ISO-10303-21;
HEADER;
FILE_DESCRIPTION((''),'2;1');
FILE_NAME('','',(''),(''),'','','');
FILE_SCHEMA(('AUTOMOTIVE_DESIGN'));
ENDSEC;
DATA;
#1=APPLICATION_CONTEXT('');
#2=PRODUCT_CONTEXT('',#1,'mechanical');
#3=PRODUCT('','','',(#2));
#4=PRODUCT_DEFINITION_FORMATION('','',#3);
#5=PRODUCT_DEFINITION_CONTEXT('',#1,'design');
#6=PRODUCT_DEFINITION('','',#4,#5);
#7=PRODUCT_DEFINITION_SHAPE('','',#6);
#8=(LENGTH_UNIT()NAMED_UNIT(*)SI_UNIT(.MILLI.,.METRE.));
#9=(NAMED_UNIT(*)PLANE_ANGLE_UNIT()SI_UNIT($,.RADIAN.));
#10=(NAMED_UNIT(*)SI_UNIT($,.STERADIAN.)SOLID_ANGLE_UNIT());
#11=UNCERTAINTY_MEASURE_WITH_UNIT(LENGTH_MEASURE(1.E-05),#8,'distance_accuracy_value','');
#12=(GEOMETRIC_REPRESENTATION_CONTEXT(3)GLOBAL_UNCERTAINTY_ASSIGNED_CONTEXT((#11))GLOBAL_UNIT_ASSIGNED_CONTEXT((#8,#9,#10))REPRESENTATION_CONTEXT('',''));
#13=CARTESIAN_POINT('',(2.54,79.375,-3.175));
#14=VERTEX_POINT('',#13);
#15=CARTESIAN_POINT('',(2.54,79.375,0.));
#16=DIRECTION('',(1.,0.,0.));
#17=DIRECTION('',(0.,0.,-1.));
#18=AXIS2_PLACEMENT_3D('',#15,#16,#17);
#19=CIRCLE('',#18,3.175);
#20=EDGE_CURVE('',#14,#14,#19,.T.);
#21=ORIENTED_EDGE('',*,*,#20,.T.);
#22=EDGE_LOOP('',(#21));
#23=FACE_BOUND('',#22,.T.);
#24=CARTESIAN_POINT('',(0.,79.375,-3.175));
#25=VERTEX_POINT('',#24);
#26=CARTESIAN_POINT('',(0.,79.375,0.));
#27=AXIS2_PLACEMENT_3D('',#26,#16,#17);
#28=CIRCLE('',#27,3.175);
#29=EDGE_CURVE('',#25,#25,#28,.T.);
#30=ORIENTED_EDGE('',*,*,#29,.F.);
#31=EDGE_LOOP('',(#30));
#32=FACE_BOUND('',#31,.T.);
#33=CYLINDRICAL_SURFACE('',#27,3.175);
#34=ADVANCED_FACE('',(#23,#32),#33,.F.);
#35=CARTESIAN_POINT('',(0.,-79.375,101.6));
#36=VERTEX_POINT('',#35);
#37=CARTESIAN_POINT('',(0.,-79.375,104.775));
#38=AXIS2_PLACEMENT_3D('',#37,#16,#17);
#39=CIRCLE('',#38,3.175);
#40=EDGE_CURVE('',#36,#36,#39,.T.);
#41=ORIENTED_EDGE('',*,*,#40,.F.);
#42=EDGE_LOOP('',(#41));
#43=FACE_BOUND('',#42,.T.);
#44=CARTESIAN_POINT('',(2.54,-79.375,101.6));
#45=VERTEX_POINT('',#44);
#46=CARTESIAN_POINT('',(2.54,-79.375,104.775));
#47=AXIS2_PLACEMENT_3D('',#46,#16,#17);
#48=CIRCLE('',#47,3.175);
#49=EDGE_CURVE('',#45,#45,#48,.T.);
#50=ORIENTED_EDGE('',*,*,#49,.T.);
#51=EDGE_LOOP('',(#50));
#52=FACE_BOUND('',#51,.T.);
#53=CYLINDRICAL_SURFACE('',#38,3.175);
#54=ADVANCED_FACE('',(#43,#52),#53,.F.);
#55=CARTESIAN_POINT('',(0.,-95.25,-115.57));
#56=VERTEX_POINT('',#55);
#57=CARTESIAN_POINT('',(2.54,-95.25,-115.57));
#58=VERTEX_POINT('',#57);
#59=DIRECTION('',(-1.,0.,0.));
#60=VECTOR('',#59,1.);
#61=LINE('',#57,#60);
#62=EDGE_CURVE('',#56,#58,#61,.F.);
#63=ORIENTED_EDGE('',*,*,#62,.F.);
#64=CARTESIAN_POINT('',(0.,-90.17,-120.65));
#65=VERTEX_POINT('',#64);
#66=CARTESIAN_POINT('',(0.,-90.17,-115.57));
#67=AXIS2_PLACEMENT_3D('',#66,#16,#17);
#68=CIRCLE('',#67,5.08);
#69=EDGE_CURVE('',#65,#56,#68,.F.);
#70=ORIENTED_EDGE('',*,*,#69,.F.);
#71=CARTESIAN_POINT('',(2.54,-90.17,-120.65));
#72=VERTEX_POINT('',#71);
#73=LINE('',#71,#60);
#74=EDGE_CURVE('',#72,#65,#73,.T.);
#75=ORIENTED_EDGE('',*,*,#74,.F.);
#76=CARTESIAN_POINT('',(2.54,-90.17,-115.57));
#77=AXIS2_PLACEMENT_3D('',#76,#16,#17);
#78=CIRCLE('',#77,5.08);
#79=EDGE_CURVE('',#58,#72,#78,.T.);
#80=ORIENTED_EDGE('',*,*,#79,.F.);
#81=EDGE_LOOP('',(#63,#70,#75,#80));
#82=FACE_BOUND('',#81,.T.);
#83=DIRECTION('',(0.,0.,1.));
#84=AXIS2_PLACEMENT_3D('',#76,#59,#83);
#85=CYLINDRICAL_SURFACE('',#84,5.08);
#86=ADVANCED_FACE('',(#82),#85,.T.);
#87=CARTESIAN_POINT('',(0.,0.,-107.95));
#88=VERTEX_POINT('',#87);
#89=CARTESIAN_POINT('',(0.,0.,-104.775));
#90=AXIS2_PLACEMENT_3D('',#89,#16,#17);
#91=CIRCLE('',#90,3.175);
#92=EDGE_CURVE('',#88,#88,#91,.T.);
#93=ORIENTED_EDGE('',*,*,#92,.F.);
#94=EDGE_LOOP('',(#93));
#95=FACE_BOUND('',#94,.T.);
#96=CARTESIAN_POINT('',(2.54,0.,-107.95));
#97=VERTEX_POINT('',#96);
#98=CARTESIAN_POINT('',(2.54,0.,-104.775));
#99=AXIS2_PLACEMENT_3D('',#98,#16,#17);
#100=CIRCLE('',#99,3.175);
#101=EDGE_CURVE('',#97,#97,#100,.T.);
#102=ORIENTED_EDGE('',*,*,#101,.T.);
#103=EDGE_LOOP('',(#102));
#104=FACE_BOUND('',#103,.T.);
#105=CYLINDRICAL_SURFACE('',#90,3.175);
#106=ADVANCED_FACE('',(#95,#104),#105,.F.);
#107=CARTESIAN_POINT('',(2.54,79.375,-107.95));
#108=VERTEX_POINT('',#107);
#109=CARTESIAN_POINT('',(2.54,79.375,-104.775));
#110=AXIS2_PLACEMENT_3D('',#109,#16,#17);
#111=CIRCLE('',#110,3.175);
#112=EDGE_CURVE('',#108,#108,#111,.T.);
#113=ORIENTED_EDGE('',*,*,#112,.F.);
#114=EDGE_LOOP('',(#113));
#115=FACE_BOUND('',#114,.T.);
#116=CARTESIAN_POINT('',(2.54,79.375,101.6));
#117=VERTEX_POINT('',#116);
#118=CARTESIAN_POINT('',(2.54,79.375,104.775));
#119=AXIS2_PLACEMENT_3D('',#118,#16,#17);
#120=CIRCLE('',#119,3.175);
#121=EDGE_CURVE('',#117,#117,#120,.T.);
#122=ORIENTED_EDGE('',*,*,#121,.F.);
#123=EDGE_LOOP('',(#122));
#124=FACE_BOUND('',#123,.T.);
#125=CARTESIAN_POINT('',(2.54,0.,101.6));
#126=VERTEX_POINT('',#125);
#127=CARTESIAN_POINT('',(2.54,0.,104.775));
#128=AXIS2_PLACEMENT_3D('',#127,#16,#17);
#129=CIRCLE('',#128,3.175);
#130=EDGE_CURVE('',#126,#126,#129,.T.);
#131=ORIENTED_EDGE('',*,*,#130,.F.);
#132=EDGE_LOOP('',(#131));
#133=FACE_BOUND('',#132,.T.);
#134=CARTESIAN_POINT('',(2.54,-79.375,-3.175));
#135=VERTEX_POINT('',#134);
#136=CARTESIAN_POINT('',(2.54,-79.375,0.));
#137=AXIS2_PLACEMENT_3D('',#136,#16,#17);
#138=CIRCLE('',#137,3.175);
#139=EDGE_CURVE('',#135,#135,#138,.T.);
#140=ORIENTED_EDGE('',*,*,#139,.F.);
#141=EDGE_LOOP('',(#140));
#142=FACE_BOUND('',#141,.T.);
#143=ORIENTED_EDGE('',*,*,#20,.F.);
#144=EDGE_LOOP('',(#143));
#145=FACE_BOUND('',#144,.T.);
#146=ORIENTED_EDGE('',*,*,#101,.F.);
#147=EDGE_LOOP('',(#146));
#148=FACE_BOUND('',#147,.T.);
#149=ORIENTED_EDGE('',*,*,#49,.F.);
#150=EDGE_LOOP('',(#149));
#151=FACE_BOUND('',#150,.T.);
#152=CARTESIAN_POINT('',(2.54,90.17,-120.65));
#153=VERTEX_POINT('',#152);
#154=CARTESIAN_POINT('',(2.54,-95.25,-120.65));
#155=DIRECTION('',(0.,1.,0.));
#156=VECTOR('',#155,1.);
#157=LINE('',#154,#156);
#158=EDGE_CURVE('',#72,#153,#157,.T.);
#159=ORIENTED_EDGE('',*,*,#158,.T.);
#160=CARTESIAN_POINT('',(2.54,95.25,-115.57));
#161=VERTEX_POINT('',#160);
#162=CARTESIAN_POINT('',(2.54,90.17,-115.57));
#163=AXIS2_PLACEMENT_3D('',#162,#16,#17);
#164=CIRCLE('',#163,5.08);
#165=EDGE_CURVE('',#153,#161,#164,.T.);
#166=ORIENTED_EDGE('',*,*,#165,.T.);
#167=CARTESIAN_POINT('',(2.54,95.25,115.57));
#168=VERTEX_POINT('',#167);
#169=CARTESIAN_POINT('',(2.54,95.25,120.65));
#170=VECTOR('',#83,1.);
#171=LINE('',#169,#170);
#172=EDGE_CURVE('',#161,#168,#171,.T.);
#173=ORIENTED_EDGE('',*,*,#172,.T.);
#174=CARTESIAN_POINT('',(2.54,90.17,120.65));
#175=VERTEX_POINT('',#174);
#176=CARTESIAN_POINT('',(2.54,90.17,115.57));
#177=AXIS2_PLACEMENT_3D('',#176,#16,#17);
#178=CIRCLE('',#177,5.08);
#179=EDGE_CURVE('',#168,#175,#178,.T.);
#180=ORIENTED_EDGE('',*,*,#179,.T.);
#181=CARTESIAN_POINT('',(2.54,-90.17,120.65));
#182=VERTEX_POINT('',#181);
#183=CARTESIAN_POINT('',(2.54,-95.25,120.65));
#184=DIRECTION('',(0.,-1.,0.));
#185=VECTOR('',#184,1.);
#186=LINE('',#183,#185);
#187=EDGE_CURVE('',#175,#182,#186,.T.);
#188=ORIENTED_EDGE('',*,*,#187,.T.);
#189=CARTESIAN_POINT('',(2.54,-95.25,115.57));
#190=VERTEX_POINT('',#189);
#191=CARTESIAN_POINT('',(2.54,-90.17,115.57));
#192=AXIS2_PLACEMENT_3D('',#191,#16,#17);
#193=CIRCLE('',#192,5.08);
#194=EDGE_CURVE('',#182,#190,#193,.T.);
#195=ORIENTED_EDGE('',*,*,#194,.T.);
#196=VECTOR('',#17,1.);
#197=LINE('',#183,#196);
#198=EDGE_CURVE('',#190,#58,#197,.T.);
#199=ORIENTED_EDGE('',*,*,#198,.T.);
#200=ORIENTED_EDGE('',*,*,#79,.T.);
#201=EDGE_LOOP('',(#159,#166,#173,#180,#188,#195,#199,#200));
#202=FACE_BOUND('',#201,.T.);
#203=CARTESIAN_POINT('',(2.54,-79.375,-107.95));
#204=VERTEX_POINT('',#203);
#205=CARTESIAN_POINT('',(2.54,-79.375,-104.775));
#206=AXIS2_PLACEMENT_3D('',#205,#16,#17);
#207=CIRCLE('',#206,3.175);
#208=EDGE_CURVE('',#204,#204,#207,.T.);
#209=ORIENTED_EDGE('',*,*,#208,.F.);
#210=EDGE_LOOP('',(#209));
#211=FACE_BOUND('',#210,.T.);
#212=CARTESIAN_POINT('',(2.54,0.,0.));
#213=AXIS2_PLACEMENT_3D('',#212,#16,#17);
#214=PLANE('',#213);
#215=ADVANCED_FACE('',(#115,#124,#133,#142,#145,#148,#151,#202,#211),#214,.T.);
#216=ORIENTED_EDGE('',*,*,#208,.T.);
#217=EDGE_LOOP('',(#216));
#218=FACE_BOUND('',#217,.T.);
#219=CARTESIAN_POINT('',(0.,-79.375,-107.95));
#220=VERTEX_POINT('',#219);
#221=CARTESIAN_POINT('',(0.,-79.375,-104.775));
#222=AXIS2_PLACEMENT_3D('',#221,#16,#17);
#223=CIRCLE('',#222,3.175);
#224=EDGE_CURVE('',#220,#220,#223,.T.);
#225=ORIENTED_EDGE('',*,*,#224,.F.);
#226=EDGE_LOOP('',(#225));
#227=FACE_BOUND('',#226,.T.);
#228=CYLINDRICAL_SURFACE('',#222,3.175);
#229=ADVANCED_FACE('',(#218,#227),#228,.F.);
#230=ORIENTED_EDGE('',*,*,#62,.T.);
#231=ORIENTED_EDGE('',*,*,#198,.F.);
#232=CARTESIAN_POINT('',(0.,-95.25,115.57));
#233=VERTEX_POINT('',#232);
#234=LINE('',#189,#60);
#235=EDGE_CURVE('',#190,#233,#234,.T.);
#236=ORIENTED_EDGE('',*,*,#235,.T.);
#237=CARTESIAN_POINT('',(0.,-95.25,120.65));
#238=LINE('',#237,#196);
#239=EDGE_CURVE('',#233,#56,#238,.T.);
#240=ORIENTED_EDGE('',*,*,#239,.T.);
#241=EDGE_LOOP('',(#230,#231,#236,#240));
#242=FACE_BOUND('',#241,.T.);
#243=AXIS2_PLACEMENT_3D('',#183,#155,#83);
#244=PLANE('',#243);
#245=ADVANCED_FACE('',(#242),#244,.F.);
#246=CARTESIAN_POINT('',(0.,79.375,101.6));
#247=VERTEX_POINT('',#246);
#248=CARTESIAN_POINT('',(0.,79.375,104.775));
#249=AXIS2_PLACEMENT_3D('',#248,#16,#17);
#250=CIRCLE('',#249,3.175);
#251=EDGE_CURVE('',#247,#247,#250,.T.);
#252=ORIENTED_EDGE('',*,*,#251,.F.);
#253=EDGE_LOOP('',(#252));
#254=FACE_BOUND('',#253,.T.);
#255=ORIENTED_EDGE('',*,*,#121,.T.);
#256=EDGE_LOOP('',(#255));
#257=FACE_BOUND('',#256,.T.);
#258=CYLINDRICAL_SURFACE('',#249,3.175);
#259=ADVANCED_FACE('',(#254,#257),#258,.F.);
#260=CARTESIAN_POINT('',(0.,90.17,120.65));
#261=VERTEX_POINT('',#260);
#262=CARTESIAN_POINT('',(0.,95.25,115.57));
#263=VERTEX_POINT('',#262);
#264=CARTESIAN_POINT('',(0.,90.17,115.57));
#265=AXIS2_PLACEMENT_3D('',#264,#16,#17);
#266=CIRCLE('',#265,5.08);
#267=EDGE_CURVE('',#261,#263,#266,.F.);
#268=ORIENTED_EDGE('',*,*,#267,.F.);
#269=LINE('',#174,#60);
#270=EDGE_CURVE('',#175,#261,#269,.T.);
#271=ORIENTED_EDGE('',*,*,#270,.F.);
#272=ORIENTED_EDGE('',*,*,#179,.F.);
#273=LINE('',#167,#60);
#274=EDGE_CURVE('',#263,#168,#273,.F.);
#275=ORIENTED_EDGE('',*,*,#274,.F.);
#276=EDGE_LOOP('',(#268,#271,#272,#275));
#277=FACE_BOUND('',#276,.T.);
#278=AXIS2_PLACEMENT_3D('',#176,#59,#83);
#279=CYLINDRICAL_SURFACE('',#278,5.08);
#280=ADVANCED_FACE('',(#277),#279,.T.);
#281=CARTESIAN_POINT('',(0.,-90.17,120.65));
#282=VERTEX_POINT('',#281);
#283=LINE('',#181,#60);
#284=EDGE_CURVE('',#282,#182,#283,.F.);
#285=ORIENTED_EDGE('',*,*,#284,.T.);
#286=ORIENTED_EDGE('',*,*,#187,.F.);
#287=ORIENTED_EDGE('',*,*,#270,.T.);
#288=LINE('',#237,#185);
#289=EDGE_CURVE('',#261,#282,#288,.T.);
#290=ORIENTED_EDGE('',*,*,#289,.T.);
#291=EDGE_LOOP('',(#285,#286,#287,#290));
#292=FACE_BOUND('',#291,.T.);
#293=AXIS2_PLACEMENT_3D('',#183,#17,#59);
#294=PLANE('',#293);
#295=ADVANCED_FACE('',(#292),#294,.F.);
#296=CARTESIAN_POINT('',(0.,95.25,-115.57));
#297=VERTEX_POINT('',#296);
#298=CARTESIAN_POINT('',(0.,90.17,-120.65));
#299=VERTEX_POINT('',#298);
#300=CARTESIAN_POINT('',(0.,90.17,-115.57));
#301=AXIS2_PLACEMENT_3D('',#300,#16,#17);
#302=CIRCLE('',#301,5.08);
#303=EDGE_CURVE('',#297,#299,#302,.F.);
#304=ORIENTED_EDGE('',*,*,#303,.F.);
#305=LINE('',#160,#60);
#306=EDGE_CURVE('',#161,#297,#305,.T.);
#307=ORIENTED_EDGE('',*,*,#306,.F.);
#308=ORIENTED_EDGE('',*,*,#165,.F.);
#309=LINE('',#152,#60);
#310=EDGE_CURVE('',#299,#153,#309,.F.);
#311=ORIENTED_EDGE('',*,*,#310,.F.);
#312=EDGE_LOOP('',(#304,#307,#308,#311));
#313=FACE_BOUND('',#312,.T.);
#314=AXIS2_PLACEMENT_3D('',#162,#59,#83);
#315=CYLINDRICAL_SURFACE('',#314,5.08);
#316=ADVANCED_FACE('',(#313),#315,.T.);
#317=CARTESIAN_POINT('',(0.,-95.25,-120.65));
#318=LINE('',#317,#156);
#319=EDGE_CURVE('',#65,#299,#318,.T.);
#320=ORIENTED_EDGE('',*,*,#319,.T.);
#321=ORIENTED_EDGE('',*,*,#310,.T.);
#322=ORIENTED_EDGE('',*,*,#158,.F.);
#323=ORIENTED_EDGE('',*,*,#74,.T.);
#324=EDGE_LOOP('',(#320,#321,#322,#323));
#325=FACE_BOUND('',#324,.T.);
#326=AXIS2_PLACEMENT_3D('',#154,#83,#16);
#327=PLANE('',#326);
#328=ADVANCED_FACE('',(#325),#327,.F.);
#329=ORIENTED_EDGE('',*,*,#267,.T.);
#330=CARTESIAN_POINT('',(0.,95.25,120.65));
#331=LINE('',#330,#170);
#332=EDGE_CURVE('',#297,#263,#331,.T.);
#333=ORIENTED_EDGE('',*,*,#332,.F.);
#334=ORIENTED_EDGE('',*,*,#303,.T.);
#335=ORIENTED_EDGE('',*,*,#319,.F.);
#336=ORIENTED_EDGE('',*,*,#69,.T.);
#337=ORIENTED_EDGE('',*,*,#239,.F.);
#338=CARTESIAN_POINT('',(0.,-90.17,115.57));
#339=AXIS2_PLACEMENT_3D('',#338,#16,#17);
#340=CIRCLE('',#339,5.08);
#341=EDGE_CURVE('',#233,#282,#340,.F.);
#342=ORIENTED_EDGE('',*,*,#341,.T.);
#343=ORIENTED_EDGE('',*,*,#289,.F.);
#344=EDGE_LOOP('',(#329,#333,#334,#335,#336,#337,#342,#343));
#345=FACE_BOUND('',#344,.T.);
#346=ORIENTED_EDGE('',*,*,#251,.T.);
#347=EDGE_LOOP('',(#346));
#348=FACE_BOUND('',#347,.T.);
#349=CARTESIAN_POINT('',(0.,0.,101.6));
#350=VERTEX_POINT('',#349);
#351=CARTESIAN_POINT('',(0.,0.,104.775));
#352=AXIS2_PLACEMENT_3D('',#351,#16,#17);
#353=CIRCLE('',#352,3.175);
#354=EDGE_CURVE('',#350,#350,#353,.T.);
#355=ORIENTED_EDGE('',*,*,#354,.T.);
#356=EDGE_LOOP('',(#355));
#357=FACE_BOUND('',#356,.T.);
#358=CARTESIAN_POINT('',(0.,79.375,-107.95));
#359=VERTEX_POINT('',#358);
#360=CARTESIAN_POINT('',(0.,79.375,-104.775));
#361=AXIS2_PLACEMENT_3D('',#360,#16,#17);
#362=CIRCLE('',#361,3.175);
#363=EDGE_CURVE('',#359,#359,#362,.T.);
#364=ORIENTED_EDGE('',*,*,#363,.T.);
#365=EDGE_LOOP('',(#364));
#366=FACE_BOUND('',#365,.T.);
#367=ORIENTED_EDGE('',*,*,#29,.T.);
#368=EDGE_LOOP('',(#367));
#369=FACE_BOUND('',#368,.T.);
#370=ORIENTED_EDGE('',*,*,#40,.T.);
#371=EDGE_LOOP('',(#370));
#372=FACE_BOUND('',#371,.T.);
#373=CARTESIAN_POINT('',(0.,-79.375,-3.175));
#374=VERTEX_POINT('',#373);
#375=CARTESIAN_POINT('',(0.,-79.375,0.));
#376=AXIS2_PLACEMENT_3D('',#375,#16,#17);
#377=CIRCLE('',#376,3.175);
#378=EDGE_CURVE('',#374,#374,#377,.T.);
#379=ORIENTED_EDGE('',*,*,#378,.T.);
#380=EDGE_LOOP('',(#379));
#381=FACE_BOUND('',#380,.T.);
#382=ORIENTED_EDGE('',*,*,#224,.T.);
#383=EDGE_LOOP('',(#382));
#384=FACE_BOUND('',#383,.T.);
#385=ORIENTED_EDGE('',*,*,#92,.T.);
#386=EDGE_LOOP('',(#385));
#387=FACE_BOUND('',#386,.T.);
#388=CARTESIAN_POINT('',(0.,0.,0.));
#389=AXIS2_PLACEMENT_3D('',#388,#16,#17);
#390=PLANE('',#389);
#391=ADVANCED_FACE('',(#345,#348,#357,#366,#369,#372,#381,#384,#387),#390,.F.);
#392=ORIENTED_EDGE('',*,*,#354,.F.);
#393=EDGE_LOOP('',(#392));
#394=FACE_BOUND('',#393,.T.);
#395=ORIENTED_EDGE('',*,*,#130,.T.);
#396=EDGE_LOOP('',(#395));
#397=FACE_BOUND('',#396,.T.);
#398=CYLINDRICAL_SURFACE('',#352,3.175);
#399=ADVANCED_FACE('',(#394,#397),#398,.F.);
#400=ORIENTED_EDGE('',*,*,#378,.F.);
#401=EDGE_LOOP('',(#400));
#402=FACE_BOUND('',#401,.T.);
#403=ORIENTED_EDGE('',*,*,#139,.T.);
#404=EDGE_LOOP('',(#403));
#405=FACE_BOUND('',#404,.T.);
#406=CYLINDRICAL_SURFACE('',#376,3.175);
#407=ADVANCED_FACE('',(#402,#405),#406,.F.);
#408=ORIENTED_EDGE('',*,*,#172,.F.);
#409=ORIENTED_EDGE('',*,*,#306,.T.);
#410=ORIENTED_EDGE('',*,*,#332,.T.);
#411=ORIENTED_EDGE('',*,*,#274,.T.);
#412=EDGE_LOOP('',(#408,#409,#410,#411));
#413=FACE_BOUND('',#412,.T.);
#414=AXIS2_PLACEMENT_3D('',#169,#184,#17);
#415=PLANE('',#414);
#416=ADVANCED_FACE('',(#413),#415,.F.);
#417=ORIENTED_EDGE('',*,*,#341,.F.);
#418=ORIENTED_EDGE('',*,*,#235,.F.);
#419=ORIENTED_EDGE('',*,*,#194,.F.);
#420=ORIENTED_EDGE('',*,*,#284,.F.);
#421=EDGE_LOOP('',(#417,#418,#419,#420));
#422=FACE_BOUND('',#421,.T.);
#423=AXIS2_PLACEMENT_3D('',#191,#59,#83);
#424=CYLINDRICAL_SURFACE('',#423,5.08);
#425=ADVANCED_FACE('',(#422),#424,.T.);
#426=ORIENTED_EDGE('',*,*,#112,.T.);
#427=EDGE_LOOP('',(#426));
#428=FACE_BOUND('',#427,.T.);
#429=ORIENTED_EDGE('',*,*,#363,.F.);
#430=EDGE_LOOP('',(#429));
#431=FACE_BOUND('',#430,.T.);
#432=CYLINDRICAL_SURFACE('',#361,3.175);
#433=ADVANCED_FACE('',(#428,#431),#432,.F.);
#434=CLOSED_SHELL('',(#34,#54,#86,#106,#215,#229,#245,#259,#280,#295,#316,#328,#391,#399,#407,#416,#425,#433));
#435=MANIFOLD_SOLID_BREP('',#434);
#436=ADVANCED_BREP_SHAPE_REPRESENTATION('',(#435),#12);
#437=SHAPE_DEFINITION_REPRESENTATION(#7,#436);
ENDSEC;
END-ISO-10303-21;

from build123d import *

# Parameters (mm, degrees)
SKETCH1_W               = 190.5
SKETCH1_H               = 241.3
BOSS_EXTRUDE1_DEPTH     = 2.54
FILLET1_R               = 5.08
CUT_EXTRUDE1_DEPTH      = 154.738208003
CUT_EXTRUDE1_DEPTH_BACK = 154.738208003
SKETCH2_R               = 3.175


with BuildPart() as part:
    # Sketch1 → Boss-Extrude1 (new body)
    with BuildSketch(Plane.YZ):
        Rectangle(SKETCH1_W, SKETCH1_H)
    extrude(amount=BOSS_EXTRUDE1_DEPTH)

    # Fillet1
    fillet1_edges = [part.edges().sort_by_distance(p)[0] for p in [
        (1.27, 95.25, -120.65),
        (1.27, -95.25, -120.65),
        (1.27, -95.25, 120.65),
        (1.27, 95.25, 120.65),
    ]]
    fillet(fillet1_edges, radius=FILLET1_R)

    # Sketch2 → Cut-Extrude1 (cut, two sides: drawn at the far end of the back side and taken through both)
    with BuildSketch(Plane(origin=(2.54, 0, 0), x_dir=(0, 0, -1), z_dir=(1, 0, 0)).offset(-CUT_EXTRUDE1_DEPTH_BACK)):
        with Locations((-574.675, 0)):
            Circle(SKETCH2_R)
        with Locations((-725.4875, 79.375)):
            Circle(SKETCH2_R)
        with Locations((-831.85, 79.375)):
            Circle(SKETCH2_R)
        with Locations((-938.2125, 79.375)):
            Circle(SKETCH2_R)
        with Locations((-1044.575, 79.375)):
            Circle(SKETCH2_R)
        with Locations((-1044.575, -79.375)):
            Circle(SKETCH2_R)
        with Locations((-1044.575, 0)):
            Circle(SKETCH2_R)
        with Locations((-574.675, 79.375)):
            Circle(SKETCH2_R)
        with Locations((-468.3125, 79.375)):
            Circle(SKETCH2_R)
        with Locations((-574.675, -79.375)):
            Circle(SKETCH2_R)
        with Locations((-725.4875, -79.375)):
            Circle(SKETCH2_R)
        with Locations((-619.125, -79.375)):
            Circle(SKETCH2_R)
        with Locations((-619.125, 0)):
            Circle(SKETCH2_R)
        with Locations((-619.125, 79.375)):
            Circle(SKETCH2_R)
        with Locations((-255.5875, 79.375)):
            Circle(SKETCH2_R)
        with Locations((-361.95, 79.375)):
            Circle(SKETCH2_R)
        with Locations((-938.2125, -79.375)):
            Circle(SKETCH2_R)
        with Locations((-831.85, -79.375)):
            Circle(SKETCH2_R)
        with Locations((-149.225, -79.375)):
            Circle(SKETCH2_R)
        with Locations((-255.5875, -79.375)):
            Circle(SKETCH2_R)
        with Locations((-149.225, 79.375)):
            Circle(SKETCH2_R)
        with Locations((-361.95, -79.375)):
            Circle(SKETCH2_R)
        with Locations((-149.225, 0)):
            Circle(SKETCH2_R)
        with Locations((-468.3125, -79.375)):
            Circle(SKETCH2_R)
        with Locations((0, 79.375)):
            Circle(SKETCH2_R)
        with Locations((0, -79.375)):
            Circle(SKETCH2_R)
        with Locations((-104.775, -79.375)):
            Circle(SKETCH2_R)
        with Locations((-104.775, 79.375)):
            Circle(SKETCH2_R)
        with Locations((104.775, 0)):
            Circle(SKETCH2_R)
        with Locations((-104.775, 0)):
            Circle(SKETCH2_R)
        with Locations((104.775, -79.375)):
            Circle(SKETCH2_R)
        with Locations((104.775, 79.375)):
            Circle(SKETCH2_R)
    extrude(amount=CUT_EXTRUDE1_DEPTH + CUT_EXTRUDE1_DEPTH_BACK, mode=Mode.SUBTRACT)


solid = part.part
